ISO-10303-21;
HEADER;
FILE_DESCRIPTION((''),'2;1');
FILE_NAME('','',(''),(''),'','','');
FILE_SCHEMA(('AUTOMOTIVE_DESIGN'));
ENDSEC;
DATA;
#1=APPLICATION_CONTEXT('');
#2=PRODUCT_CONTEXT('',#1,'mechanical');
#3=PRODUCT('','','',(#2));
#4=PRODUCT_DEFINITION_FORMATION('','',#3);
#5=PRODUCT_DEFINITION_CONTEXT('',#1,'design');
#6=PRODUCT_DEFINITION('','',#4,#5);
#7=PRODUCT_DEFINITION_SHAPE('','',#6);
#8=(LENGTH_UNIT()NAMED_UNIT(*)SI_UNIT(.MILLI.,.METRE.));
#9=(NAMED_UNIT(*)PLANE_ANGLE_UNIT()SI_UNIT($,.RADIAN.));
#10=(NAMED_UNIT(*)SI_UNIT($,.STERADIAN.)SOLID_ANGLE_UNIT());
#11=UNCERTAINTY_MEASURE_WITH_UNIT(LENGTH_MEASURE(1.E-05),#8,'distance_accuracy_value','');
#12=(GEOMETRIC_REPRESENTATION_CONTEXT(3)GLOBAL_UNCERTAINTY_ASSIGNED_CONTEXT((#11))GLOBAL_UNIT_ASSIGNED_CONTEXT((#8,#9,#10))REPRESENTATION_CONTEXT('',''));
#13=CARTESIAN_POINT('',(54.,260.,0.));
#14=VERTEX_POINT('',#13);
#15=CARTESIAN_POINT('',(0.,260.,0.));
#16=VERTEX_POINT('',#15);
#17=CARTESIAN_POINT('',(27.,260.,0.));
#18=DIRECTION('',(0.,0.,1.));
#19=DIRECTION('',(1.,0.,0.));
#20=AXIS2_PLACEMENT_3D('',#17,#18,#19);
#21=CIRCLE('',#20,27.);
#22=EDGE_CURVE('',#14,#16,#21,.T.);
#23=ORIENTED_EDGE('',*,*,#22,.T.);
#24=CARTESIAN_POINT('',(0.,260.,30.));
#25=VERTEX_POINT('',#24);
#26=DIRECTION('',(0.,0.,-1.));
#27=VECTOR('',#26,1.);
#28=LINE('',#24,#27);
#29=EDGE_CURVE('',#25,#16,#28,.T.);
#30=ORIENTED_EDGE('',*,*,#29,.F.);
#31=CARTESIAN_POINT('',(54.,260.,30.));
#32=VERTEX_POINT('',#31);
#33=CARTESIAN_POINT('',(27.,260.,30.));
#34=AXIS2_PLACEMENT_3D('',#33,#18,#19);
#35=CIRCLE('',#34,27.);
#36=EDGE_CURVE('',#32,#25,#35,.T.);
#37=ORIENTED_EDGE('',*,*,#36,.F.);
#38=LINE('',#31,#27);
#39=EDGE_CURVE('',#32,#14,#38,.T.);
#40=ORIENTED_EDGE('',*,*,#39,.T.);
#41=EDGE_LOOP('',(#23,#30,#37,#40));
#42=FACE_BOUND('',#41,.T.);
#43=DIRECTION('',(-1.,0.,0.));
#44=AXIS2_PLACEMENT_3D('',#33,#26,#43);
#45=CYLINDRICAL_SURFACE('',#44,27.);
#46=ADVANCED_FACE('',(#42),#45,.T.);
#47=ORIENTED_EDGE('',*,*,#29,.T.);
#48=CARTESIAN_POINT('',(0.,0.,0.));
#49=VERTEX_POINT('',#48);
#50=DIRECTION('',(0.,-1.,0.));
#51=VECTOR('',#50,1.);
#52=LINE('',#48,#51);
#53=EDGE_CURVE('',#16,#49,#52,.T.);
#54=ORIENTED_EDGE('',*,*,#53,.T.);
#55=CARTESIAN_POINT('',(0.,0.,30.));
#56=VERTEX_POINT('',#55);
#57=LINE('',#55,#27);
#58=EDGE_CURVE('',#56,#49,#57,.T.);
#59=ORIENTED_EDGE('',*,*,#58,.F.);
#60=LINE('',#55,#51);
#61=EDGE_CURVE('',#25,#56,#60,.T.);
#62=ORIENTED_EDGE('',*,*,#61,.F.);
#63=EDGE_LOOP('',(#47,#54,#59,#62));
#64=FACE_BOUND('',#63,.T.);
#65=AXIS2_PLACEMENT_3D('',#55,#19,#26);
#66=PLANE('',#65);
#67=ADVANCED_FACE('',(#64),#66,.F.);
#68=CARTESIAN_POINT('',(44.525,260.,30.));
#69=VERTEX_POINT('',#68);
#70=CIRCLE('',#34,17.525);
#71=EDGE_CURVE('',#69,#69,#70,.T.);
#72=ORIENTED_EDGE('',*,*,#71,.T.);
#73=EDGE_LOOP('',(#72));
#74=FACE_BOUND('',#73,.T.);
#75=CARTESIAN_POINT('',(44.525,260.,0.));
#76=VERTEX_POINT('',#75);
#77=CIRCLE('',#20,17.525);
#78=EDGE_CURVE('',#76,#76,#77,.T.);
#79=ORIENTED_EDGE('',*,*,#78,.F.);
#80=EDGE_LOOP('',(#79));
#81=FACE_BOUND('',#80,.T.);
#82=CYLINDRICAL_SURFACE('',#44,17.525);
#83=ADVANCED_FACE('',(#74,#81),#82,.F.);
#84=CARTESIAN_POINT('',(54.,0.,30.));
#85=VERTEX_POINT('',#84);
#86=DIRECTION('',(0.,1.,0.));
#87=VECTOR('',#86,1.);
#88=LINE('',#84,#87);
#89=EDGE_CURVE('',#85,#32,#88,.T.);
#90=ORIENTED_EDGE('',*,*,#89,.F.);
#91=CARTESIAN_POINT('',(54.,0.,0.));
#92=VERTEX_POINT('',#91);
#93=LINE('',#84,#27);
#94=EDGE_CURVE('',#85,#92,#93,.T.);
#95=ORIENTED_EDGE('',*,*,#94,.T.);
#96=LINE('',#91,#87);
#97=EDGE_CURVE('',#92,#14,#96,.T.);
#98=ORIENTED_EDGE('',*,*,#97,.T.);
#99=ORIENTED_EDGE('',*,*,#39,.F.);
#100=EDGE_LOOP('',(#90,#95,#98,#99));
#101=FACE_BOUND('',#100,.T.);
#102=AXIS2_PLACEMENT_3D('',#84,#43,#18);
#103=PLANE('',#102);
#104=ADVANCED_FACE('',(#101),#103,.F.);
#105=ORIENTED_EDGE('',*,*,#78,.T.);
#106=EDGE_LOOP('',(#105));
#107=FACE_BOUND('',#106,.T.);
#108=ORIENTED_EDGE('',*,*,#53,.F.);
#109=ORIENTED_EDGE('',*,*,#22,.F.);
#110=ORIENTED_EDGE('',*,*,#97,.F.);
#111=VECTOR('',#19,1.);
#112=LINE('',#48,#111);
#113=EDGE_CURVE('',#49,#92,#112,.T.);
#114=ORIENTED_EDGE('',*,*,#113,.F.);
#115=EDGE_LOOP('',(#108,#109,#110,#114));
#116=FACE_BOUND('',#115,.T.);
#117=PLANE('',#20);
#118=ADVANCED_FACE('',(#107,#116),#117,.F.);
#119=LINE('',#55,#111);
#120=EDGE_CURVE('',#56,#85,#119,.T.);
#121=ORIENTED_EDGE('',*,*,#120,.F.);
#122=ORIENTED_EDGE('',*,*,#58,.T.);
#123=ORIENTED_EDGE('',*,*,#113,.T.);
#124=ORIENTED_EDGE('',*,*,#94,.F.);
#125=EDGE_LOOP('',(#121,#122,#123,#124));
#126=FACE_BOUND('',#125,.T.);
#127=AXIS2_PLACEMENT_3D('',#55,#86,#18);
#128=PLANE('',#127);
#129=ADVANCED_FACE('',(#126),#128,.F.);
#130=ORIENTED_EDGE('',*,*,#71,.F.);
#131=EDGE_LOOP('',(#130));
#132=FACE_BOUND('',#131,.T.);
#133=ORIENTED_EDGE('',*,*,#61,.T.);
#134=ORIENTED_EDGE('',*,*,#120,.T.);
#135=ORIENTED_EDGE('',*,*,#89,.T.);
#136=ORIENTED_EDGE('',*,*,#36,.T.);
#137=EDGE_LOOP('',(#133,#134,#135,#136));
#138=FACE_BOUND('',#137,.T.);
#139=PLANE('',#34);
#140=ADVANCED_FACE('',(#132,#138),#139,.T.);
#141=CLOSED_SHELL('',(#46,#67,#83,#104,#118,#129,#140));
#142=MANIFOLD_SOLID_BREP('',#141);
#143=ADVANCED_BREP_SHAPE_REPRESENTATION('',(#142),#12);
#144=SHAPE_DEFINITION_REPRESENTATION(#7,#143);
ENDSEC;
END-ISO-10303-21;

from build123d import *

# Parameters (mm, degrees)
SKETCH1_R           = 17.525
BOSS_EXTRUDE1_DEPTH = 30


with BuildPart() as part:
    # Sketch1 → Boss-Extrude1 (new body)
    with BuildSketch(Plane.XY):
        with BuildLine():
            Line((0, 0), (54, 0))
            Line((54, 0), (54, 260))
            ThreePointArc((54, 260), (27, 287), (0, 260))
            Line((0, 260), (0, 0))
        make_face()
        with Locations((27, 260)):
            Circle(SKETCH1_R, mode=Mode.SUBTRACT)
    extrude(amount=BOSS_EXTRUDE1_DEPTH)


solid = part.part
